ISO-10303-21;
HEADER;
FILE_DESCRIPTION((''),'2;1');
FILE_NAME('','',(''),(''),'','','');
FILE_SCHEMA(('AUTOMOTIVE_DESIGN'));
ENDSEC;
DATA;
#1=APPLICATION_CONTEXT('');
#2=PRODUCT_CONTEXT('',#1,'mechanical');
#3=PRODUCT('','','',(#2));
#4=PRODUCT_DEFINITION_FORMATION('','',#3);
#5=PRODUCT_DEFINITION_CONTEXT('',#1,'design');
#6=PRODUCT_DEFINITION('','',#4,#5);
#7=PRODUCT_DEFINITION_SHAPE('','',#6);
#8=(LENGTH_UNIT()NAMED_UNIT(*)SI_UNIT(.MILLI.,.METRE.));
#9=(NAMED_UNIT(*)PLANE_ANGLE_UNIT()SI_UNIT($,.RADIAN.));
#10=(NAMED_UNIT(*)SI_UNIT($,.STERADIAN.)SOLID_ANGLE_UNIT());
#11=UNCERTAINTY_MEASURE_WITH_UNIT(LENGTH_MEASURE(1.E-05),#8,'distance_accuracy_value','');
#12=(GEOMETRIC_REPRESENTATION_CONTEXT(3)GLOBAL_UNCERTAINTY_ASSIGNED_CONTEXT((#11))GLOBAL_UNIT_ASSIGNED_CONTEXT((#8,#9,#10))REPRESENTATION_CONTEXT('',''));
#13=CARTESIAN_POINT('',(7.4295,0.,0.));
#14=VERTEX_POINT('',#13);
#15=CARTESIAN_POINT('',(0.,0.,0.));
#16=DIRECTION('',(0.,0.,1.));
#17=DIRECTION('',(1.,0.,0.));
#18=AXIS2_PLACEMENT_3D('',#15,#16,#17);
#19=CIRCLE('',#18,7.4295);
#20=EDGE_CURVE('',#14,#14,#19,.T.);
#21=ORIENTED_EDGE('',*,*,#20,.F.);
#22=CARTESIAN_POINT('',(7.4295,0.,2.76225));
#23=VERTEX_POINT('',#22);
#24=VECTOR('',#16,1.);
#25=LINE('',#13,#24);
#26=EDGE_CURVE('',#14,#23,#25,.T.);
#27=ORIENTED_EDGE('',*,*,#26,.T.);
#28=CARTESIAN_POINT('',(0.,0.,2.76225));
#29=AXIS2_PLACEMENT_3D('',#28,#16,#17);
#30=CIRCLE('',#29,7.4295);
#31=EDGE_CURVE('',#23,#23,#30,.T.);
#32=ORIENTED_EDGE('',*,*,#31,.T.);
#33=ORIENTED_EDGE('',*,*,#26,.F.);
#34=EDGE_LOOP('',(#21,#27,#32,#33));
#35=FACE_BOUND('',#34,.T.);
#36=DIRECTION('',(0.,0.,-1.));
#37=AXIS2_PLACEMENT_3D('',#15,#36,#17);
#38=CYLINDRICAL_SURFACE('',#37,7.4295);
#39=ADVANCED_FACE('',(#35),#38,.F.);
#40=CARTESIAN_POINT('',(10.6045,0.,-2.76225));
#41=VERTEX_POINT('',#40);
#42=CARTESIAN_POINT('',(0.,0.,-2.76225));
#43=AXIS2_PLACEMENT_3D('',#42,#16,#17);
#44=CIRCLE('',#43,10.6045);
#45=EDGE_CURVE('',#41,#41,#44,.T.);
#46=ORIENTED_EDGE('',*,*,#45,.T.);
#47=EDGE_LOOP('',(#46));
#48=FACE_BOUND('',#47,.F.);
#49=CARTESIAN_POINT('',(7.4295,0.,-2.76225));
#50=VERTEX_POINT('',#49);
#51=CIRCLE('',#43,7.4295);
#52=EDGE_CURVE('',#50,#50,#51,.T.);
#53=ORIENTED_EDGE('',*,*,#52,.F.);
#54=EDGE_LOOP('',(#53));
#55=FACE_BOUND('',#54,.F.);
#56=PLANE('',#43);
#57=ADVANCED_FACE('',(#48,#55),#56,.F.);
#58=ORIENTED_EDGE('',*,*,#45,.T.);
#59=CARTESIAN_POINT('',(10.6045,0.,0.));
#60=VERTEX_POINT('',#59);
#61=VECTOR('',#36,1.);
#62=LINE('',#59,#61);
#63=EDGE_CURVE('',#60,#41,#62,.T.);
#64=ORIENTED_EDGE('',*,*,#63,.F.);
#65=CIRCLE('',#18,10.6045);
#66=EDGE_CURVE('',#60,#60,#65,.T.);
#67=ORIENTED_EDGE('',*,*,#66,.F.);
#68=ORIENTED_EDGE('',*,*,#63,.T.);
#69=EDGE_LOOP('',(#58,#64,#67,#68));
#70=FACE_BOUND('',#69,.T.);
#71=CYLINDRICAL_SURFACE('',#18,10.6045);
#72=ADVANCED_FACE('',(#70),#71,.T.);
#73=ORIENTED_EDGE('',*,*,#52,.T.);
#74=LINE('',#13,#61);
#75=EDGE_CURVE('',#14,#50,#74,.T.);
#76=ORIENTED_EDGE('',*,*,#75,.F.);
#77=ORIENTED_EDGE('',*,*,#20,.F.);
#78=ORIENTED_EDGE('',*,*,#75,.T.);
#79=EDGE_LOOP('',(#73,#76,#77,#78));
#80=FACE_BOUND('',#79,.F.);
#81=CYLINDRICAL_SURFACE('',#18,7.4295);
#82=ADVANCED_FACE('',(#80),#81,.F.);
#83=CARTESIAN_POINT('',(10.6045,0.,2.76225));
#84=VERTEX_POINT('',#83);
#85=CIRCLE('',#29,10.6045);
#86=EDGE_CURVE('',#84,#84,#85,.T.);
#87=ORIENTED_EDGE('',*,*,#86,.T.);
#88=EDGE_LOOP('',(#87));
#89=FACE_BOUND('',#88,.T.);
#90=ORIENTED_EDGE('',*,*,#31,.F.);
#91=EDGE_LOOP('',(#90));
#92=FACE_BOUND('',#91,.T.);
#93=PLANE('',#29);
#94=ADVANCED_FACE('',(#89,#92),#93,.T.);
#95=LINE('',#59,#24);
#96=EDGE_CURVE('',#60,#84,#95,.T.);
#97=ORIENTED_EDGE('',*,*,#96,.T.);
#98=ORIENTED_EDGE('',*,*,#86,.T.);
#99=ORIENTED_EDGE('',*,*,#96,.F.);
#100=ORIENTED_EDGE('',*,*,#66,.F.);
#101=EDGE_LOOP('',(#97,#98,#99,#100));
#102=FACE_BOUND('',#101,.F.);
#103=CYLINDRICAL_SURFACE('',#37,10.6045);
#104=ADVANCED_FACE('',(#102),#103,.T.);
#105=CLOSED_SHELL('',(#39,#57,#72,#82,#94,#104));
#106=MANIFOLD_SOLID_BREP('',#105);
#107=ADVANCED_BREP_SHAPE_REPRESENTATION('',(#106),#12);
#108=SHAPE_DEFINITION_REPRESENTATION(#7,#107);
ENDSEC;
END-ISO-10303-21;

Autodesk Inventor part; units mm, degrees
ref_plane "YZ Plane" through (0, 0, 0) normal (1, 0, 0) x (0, 1, 0)
ref_plane "XZ Plane" through (0, 0, 0) normal (0, 1, 0) x (-1, 0, 0)
ref_plane "XY Plane" through (0, 0, 0) normal (0, 0, 1) x (1, 0, 0)
sketch "Sketch1" plane through (0, 0, 0) normal (0, 0, 1) x (1, 0, 0)
  circle A0 centre (0, 0) radius 7.4295
  circle A1 centre (0, 0) radius 10.6045
  dimension "d0" = 14.859
  dimension "d1" = 3.175
extrude "Extrusion1" add sketch "Sketch1" along normal mid plane 5.5245
properties part number "EL2-CGB-021" material "ABS Plastic"
